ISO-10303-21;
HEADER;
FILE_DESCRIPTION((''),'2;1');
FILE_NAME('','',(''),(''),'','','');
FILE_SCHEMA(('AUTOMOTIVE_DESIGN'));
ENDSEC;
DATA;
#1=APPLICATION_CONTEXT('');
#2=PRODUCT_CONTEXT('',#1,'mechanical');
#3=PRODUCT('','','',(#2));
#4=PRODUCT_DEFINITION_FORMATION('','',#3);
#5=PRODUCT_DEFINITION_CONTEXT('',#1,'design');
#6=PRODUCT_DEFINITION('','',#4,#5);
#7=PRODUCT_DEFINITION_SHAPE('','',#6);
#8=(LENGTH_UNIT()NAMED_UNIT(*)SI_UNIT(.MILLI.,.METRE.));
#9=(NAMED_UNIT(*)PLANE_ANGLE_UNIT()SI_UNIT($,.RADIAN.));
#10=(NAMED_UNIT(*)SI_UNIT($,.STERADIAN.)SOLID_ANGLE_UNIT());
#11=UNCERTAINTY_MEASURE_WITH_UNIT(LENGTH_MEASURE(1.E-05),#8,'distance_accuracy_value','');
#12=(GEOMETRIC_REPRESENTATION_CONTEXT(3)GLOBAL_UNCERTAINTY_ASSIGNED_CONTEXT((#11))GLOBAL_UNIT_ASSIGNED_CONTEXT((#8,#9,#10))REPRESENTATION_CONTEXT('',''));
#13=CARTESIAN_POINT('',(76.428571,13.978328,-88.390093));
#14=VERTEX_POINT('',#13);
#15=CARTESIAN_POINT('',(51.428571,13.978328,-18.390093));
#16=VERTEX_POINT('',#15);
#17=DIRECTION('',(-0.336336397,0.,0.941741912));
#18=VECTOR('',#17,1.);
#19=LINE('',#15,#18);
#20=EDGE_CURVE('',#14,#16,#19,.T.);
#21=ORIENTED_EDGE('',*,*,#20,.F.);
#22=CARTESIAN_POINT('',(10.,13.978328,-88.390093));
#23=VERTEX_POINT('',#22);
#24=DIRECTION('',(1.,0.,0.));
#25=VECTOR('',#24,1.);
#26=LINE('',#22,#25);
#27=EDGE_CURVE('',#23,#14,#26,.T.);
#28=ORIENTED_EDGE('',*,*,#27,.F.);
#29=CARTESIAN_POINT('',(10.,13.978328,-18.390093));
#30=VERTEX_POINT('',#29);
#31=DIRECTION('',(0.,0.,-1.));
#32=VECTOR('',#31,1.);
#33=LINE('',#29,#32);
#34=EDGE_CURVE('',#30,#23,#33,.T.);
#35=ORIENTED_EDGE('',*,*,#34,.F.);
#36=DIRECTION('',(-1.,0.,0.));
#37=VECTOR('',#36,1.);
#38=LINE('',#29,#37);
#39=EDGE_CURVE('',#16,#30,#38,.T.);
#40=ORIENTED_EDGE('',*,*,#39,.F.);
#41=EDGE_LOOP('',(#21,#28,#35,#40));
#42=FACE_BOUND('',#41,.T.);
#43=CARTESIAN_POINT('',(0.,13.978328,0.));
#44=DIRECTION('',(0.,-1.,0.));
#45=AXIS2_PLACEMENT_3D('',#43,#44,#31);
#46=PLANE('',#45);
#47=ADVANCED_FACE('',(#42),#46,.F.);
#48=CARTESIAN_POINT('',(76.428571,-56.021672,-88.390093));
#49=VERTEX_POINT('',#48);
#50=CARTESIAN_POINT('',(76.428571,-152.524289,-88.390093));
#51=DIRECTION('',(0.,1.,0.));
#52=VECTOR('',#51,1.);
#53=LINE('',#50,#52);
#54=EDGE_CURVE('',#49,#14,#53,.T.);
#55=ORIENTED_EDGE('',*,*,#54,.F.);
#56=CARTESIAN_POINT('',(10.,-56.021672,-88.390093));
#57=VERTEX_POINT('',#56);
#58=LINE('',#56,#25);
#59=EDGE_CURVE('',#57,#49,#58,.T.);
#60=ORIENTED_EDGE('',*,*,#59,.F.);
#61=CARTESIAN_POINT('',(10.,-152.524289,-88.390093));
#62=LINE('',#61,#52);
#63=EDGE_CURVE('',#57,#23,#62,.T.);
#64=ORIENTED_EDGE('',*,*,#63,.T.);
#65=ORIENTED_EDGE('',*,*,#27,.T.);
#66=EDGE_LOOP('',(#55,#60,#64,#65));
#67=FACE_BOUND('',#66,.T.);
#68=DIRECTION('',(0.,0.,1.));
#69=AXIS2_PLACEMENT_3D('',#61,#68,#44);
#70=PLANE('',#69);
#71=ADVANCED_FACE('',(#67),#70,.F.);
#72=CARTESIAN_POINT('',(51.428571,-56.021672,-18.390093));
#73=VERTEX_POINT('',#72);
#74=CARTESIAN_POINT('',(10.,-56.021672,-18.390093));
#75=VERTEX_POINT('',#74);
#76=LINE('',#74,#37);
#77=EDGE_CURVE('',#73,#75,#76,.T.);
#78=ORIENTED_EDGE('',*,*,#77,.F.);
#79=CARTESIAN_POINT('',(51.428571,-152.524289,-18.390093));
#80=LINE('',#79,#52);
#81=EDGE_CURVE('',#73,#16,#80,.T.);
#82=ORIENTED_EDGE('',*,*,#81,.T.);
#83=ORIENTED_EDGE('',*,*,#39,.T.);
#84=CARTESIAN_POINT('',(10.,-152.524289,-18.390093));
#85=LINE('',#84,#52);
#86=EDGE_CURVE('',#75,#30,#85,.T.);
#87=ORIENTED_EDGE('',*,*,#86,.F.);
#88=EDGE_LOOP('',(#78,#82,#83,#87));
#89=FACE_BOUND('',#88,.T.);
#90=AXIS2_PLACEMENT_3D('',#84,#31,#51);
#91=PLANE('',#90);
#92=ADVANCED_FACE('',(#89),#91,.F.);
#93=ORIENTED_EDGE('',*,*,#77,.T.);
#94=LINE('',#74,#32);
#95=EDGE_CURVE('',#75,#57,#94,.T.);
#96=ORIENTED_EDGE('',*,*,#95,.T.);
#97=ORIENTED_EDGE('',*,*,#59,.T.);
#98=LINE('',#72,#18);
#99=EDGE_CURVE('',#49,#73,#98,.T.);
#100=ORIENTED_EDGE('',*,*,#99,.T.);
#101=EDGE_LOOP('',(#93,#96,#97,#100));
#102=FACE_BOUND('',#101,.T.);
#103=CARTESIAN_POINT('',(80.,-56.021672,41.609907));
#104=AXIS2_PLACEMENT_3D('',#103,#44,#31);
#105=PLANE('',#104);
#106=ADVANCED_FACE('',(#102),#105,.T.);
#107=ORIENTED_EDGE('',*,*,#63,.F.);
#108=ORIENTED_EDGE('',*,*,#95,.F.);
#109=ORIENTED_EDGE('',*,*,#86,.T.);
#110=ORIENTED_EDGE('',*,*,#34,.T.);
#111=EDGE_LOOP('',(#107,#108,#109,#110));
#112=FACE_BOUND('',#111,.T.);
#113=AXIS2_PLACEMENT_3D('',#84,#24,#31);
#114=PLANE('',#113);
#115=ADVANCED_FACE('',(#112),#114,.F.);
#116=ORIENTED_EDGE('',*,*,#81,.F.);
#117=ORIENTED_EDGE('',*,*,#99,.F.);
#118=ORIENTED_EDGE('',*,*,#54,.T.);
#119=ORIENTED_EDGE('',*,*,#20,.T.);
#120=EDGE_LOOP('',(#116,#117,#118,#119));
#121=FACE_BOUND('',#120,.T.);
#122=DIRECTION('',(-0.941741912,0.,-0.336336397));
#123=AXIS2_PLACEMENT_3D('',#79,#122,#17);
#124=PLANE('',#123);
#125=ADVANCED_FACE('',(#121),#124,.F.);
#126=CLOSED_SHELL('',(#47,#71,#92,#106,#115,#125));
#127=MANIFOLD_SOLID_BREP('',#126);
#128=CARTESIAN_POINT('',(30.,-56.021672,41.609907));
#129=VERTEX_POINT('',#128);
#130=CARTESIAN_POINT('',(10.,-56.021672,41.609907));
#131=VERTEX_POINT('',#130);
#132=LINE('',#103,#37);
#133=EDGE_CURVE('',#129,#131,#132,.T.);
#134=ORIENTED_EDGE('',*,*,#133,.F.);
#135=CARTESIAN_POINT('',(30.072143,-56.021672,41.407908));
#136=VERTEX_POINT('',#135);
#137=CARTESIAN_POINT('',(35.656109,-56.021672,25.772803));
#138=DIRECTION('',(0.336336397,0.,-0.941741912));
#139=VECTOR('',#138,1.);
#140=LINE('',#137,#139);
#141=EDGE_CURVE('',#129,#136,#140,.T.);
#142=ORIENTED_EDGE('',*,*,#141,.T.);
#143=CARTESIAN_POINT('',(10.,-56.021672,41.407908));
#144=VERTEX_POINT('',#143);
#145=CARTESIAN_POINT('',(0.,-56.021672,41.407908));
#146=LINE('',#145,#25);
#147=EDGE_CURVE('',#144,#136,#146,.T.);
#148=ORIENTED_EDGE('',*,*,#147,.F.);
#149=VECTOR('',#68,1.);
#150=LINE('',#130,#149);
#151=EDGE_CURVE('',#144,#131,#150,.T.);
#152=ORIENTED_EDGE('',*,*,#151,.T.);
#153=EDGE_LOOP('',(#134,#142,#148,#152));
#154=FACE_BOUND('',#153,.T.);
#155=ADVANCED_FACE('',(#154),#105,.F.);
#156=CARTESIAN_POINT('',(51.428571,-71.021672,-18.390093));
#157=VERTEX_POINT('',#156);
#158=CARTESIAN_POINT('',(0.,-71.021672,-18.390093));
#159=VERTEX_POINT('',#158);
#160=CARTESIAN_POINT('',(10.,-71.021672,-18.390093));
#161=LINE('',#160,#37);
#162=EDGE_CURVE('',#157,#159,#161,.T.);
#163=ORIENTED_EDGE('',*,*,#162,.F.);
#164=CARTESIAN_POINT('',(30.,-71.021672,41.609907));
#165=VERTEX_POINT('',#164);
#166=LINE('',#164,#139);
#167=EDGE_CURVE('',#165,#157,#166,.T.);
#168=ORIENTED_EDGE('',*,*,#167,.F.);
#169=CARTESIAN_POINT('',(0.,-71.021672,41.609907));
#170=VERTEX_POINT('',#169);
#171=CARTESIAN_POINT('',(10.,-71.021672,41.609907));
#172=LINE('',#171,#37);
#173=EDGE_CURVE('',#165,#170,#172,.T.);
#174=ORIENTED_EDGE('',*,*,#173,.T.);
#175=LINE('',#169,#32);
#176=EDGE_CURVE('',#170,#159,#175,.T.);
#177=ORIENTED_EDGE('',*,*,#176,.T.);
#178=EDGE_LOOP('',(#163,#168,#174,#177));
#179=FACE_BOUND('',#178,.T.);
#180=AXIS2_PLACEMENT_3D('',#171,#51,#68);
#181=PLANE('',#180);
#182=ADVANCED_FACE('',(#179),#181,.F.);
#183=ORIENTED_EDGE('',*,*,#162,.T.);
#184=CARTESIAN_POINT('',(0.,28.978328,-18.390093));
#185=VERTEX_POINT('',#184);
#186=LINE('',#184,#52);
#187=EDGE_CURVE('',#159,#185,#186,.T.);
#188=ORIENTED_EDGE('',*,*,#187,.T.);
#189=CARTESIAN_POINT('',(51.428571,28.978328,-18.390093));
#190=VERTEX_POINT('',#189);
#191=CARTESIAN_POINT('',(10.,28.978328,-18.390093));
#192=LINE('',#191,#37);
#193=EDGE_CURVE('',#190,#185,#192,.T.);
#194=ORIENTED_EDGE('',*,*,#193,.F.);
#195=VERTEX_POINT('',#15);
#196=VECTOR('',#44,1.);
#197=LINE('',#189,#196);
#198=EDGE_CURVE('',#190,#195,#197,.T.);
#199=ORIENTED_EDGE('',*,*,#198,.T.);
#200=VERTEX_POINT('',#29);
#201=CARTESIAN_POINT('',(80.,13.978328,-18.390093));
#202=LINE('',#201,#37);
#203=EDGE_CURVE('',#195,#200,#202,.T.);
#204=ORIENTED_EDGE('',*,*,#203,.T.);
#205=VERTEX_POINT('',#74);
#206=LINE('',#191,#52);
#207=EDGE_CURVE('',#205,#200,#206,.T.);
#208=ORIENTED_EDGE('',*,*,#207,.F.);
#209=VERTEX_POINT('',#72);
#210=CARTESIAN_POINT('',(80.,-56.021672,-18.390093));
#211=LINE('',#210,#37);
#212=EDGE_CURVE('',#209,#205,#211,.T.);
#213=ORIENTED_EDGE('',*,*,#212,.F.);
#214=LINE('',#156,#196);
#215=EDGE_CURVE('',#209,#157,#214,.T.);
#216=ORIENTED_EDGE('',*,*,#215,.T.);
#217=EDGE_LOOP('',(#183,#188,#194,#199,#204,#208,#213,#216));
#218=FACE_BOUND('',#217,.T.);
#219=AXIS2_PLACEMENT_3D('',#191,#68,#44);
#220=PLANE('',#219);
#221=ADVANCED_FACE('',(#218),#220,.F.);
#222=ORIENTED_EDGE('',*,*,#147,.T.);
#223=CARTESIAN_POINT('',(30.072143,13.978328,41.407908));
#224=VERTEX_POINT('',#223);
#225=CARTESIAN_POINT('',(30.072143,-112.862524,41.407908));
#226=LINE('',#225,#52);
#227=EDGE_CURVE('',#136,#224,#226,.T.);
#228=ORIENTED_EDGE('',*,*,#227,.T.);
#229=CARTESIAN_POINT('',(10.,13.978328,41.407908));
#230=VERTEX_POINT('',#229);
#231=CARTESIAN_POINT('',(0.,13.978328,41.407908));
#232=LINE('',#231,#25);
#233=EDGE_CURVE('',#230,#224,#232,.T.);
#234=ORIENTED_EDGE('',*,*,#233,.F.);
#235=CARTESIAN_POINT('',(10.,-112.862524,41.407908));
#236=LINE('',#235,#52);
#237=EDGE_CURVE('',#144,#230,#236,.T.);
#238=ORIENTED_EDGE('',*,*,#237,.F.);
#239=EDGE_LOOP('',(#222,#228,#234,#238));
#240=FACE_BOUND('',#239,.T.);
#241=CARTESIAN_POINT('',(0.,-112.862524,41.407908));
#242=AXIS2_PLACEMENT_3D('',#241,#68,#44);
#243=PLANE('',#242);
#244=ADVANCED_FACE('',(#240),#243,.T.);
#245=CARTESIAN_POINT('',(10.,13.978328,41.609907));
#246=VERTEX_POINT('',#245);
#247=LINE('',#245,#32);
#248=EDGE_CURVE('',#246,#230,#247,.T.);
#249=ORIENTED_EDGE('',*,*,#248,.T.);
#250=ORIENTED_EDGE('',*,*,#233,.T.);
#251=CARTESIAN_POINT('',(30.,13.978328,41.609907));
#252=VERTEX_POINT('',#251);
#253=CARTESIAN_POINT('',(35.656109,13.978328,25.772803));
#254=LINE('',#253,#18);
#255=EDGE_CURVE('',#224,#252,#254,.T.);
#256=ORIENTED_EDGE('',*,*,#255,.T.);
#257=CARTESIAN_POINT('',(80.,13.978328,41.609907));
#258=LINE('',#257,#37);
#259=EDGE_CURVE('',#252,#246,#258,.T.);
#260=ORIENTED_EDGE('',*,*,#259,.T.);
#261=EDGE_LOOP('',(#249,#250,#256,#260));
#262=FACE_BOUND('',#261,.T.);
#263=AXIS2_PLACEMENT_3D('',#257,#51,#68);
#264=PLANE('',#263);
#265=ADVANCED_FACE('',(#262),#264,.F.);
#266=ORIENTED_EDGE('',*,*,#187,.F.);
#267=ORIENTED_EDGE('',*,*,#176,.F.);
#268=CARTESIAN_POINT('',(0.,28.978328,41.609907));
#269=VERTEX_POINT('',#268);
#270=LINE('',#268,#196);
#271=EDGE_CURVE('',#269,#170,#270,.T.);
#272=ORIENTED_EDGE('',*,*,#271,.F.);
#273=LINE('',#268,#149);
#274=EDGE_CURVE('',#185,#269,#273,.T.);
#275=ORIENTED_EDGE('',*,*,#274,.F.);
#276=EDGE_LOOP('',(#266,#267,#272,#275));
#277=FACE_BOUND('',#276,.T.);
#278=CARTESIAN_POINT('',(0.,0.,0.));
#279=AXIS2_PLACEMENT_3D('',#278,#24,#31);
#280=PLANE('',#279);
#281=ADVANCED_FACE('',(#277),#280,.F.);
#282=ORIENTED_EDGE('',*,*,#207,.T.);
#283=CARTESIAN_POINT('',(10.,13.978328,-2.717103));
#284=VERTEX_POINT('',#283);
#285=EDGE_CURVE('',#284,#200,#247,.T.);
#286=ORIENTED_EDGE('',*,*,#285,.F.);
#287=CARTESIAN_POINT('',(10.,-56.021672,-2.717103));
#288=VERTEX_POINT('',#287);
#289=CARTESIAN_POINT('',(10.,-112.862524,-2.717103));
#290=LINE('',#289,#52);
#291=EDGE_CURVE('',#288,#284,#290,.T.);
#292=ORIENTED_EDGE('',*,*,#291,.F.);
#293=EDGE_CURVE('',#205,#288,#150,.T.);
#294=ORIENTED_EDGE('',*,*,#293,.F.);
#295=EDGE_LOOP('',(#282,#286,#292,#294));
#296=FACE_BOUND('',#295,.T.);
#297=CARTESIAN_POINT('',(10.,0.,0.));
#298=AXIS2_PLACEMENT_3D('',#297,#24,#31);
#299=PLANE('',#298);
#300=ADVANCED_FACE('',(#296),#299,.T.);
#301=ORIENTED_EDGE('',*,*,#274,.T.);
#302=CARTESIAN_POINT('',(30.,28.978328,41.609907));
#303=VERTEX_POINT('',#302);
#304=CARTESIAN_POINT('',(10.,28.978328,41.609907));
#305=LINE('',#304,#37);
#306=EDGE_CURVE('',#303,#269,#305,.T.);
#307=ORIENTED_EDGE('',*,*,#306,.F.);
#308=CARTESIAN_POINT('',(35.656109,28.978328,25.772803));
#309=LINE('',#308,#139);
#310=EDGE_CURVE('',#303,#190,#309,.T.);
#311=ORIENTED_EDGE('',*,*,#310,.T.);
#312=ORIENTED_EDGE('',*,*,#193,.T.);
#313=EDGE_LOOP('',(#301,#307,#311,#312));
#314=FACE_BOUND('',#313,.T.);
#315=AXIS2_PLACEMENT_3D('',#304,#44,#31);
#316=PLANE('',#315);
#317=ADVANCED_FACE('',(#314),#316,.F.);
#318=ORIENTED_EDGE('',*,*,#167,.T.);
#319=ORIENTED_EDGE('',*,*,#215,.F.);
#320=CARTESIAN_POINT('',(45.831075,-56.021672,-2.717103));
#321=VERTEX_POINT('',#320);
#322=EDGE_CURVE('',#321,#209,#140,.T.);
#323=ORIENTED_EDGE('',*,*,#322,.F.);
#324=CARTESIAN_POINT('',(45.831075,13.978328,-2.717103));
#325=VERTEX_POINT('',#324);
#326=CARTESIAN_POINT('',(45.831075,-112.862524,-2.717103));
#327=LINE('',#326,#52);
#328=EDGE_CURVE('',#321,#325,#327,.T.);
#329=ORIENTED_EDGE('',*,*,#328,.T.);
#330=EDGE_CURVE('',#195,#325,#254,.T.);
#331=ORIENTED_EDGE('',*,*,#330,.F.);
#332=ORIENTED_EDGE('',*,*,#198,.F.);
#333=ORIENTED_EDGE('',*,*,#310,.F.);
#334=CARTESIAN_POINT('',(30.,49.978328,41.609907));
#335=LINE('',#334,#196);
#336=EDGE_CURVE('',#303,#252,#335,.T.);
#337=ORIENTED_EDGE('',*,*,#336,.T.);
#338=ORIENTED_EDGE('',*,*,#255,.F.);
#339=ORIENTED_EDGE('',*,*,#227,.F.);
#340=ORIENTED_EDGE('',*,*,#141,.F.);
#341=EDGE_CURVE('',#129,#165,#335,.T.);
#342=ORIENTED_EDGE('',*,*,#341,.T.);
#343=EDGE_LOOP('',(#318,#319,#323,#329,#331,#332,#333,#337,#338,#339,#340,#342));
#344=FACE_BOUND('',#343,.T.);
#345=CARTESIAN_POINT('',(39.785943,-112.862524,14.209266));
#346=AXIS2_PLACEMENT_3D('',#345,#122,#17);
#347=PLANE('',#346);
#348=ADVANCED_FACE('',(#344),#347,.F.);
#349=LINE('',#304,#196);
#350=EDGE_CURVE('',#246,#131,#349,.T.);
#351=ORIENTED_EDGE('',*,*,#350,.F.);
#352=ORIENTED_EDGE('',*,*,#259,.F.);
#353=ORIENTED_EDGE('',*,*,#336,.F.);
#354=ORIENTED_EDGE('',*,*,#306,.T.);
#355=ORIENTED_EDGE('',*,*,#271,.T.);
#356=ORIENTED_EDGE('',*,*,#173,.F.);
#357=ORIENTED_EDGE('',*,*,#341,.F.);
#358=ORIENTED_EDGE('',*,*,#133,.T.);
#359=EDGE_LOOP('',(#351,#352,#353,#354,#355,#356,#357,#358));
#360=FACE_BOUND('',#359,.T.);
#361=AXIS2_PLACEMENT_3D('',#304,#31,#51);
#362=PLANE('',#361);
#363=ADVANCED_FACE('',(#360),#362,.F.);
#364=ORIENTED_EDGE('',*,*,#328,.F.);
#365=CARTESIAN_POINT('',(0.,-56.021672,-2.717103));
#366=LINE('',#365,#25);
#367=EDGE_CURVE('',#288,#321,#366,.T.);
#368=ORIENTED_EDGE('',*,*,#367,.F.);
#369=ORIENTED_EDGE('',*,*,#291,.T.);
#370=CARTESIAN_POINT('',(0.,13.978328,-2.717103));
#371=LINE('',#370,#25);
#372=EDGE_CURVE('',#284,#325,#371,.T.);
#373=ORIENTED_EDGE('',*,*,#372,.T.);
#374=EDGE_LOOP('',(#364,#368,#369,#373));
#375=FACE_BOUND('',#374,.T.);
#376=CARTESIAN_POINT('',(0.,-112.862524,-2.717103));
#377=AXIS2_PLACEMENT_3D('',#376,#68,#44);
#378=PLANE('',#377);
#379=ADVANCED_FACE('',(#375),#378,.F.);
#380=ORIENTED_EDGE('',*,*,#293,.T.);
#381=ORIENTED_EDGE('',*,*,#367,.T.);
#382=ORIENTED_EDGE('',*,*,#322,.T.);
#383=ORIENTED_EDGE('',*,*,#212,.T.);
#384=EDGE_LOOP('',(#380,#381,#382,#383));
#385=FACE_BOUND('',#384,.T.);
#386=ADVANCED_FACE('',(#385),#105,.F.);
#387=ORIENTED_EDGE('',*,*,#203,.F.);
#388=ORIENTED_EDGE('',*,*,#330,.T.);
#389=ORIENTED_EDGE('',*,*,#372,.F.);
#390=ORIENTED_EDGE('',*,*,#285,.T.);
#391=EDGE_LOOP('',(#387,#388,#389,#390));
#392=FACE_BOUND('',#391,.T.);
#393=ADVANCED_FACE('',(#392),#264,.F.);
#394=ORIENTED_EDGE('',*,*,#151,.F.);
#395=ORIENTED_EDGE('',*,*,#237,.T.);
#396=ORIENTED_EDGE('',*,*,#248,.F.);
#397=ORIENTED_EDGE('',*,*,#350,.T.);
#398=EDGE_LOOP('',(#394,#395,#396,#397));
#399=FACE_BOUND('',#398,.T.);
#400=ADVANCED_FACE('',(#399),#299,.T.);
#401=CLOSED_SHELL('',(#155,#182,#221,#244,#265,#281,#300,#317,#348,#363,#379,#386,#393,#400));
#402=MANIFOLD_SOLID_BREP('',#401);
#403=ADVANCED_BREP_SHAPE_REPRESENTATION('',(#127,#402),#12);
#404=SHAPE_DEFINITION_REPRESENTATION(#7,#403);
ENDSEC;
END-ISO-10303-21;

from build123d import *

# Parameters (mm, degrees)
ESBO_O1_W                  = 60
ESBO_O1_H                  = 100
RESSALTO_EXTRUS_O1_DEPTH   = 10
ESBO_O2_W                  = 60
ESBO_O2_H                  = 15
RESSALTO_EXTRUS_O2_DEPTH   = 70
RESSALTO_EXTRUS_O2_2_DEPTH = 70
CORTE_EXTRUS_O3_DEPTH      = 121
RESSALTO_EXTRUS_O4_DEPTH   = 70
RESSALTO_EXTRUS_O5_DEPTH   = 70


with BuildPart() as part:
    # Esboço1 → Ressalto-extrusão1 (new body)
    with BuildSketch(Plane(origin=(0, 0, 0), x_dir=(0, 0, -1), z_dir=(1, 0, 0))):
        with Locations((-11.609907121, -21.021671827)):
            Rectangle(ESBO_O1_W, ESBO_O1_H)
    extrude(amount=RESSALTO_EXTRUS_O1_DEPTH)



with BuildPart() as body_2:
    # Esboço2 → Ressalto-extrusão2 (new body)
    with BuildSketch(Plane(origin=(10, 0, 0), x_dir=(0, 0, -1), z_dir=(1, 0, 0))):
        with Locations((-11.609907121, 21.478328173)):
            Rectangle(ESBO_O2_W, ESBO_O2_H)
    extrude(amount=RESSALTO_EXTRUS_O2_DEPTH)


with BuildPart() as body_3:
    # Esboço2 → Ressalto-extrus_o2 2 (new body)
    with BuildSketch(Plane(origin=(10, 0, 0), x_dir=(0, 0, -1), z_dir=(1, 0, 0))):
        with Locations((-11.609907121, -63.521671827)):
            Rectangle(ESBO_O2_W, ESBO_O2_H)
    extrude(amount=RESSALTO_EXTRUS_O2_2_DEPTH)


with BuildPart() as corte_extrus_o3_tool:
    # Esboço3 → Corte-extrusão3 (new body)
    with BuildSketch(Plane.XZ.offset(71.021671827)):
        Polygon((30, 41.609907121), (80, 41.609907121), (80, -98.390092879), align=None)
    extrude(amount=-CORTE_EXTRUS_O3_DEPTH)


with BuildPart() as body_2_1:
    add(body_2.part)

    # Corte-extrusão3: cut by corte_extrus_o3_tool
    add(corte_extrus_o3_tool.part, mode=Mode.SUBTRACT)


with BuildPart() as body_3_1:
    add(body_3.part)

    # Corte-extrusão3: cut by corte_extrus_o3_tool
    add(corte_extrus_o3_tool.part, mode=Mode.SUBTRACT)


with BuildPart() as part_1:
    add(part.part)

    add(body_2_1.part)  # Ressalto-extrusão4 merges body 2

    add(body_3_1.part)  # Ressalto-extrusão4 merges body 3
    # Esboço7 → Ressalto-extrusão4 (add)
    with BuildSketch(Plane.XZ.offset(-13.978328173)):
        Polygon((30.072142547, 41.407907988), (10, 41.407907988), (10, -2.717102769), (40, -2.717102769), (45.831074961, -2.717102769), align=None)
    extrude(amount=RESSALTO_EXTRUS_O4_DEPTH)


with BuildPart() as body_2_2:
    # Esboço9 → Ressalto-extrusão5 (new body)
    with BuildSketch(Plane.XZ.offset(-13.978328173)):
        Polygon((51.428571429, -18.390092879), (76.428571429, -88.390092879), (10, -88.390092879), (10, -18.390092879), align=None)
    extrude(amount=RESSALTO_EXTRUS_O5_DEPTH)


solid = Compound([part_1.part, body_2_2.part])
